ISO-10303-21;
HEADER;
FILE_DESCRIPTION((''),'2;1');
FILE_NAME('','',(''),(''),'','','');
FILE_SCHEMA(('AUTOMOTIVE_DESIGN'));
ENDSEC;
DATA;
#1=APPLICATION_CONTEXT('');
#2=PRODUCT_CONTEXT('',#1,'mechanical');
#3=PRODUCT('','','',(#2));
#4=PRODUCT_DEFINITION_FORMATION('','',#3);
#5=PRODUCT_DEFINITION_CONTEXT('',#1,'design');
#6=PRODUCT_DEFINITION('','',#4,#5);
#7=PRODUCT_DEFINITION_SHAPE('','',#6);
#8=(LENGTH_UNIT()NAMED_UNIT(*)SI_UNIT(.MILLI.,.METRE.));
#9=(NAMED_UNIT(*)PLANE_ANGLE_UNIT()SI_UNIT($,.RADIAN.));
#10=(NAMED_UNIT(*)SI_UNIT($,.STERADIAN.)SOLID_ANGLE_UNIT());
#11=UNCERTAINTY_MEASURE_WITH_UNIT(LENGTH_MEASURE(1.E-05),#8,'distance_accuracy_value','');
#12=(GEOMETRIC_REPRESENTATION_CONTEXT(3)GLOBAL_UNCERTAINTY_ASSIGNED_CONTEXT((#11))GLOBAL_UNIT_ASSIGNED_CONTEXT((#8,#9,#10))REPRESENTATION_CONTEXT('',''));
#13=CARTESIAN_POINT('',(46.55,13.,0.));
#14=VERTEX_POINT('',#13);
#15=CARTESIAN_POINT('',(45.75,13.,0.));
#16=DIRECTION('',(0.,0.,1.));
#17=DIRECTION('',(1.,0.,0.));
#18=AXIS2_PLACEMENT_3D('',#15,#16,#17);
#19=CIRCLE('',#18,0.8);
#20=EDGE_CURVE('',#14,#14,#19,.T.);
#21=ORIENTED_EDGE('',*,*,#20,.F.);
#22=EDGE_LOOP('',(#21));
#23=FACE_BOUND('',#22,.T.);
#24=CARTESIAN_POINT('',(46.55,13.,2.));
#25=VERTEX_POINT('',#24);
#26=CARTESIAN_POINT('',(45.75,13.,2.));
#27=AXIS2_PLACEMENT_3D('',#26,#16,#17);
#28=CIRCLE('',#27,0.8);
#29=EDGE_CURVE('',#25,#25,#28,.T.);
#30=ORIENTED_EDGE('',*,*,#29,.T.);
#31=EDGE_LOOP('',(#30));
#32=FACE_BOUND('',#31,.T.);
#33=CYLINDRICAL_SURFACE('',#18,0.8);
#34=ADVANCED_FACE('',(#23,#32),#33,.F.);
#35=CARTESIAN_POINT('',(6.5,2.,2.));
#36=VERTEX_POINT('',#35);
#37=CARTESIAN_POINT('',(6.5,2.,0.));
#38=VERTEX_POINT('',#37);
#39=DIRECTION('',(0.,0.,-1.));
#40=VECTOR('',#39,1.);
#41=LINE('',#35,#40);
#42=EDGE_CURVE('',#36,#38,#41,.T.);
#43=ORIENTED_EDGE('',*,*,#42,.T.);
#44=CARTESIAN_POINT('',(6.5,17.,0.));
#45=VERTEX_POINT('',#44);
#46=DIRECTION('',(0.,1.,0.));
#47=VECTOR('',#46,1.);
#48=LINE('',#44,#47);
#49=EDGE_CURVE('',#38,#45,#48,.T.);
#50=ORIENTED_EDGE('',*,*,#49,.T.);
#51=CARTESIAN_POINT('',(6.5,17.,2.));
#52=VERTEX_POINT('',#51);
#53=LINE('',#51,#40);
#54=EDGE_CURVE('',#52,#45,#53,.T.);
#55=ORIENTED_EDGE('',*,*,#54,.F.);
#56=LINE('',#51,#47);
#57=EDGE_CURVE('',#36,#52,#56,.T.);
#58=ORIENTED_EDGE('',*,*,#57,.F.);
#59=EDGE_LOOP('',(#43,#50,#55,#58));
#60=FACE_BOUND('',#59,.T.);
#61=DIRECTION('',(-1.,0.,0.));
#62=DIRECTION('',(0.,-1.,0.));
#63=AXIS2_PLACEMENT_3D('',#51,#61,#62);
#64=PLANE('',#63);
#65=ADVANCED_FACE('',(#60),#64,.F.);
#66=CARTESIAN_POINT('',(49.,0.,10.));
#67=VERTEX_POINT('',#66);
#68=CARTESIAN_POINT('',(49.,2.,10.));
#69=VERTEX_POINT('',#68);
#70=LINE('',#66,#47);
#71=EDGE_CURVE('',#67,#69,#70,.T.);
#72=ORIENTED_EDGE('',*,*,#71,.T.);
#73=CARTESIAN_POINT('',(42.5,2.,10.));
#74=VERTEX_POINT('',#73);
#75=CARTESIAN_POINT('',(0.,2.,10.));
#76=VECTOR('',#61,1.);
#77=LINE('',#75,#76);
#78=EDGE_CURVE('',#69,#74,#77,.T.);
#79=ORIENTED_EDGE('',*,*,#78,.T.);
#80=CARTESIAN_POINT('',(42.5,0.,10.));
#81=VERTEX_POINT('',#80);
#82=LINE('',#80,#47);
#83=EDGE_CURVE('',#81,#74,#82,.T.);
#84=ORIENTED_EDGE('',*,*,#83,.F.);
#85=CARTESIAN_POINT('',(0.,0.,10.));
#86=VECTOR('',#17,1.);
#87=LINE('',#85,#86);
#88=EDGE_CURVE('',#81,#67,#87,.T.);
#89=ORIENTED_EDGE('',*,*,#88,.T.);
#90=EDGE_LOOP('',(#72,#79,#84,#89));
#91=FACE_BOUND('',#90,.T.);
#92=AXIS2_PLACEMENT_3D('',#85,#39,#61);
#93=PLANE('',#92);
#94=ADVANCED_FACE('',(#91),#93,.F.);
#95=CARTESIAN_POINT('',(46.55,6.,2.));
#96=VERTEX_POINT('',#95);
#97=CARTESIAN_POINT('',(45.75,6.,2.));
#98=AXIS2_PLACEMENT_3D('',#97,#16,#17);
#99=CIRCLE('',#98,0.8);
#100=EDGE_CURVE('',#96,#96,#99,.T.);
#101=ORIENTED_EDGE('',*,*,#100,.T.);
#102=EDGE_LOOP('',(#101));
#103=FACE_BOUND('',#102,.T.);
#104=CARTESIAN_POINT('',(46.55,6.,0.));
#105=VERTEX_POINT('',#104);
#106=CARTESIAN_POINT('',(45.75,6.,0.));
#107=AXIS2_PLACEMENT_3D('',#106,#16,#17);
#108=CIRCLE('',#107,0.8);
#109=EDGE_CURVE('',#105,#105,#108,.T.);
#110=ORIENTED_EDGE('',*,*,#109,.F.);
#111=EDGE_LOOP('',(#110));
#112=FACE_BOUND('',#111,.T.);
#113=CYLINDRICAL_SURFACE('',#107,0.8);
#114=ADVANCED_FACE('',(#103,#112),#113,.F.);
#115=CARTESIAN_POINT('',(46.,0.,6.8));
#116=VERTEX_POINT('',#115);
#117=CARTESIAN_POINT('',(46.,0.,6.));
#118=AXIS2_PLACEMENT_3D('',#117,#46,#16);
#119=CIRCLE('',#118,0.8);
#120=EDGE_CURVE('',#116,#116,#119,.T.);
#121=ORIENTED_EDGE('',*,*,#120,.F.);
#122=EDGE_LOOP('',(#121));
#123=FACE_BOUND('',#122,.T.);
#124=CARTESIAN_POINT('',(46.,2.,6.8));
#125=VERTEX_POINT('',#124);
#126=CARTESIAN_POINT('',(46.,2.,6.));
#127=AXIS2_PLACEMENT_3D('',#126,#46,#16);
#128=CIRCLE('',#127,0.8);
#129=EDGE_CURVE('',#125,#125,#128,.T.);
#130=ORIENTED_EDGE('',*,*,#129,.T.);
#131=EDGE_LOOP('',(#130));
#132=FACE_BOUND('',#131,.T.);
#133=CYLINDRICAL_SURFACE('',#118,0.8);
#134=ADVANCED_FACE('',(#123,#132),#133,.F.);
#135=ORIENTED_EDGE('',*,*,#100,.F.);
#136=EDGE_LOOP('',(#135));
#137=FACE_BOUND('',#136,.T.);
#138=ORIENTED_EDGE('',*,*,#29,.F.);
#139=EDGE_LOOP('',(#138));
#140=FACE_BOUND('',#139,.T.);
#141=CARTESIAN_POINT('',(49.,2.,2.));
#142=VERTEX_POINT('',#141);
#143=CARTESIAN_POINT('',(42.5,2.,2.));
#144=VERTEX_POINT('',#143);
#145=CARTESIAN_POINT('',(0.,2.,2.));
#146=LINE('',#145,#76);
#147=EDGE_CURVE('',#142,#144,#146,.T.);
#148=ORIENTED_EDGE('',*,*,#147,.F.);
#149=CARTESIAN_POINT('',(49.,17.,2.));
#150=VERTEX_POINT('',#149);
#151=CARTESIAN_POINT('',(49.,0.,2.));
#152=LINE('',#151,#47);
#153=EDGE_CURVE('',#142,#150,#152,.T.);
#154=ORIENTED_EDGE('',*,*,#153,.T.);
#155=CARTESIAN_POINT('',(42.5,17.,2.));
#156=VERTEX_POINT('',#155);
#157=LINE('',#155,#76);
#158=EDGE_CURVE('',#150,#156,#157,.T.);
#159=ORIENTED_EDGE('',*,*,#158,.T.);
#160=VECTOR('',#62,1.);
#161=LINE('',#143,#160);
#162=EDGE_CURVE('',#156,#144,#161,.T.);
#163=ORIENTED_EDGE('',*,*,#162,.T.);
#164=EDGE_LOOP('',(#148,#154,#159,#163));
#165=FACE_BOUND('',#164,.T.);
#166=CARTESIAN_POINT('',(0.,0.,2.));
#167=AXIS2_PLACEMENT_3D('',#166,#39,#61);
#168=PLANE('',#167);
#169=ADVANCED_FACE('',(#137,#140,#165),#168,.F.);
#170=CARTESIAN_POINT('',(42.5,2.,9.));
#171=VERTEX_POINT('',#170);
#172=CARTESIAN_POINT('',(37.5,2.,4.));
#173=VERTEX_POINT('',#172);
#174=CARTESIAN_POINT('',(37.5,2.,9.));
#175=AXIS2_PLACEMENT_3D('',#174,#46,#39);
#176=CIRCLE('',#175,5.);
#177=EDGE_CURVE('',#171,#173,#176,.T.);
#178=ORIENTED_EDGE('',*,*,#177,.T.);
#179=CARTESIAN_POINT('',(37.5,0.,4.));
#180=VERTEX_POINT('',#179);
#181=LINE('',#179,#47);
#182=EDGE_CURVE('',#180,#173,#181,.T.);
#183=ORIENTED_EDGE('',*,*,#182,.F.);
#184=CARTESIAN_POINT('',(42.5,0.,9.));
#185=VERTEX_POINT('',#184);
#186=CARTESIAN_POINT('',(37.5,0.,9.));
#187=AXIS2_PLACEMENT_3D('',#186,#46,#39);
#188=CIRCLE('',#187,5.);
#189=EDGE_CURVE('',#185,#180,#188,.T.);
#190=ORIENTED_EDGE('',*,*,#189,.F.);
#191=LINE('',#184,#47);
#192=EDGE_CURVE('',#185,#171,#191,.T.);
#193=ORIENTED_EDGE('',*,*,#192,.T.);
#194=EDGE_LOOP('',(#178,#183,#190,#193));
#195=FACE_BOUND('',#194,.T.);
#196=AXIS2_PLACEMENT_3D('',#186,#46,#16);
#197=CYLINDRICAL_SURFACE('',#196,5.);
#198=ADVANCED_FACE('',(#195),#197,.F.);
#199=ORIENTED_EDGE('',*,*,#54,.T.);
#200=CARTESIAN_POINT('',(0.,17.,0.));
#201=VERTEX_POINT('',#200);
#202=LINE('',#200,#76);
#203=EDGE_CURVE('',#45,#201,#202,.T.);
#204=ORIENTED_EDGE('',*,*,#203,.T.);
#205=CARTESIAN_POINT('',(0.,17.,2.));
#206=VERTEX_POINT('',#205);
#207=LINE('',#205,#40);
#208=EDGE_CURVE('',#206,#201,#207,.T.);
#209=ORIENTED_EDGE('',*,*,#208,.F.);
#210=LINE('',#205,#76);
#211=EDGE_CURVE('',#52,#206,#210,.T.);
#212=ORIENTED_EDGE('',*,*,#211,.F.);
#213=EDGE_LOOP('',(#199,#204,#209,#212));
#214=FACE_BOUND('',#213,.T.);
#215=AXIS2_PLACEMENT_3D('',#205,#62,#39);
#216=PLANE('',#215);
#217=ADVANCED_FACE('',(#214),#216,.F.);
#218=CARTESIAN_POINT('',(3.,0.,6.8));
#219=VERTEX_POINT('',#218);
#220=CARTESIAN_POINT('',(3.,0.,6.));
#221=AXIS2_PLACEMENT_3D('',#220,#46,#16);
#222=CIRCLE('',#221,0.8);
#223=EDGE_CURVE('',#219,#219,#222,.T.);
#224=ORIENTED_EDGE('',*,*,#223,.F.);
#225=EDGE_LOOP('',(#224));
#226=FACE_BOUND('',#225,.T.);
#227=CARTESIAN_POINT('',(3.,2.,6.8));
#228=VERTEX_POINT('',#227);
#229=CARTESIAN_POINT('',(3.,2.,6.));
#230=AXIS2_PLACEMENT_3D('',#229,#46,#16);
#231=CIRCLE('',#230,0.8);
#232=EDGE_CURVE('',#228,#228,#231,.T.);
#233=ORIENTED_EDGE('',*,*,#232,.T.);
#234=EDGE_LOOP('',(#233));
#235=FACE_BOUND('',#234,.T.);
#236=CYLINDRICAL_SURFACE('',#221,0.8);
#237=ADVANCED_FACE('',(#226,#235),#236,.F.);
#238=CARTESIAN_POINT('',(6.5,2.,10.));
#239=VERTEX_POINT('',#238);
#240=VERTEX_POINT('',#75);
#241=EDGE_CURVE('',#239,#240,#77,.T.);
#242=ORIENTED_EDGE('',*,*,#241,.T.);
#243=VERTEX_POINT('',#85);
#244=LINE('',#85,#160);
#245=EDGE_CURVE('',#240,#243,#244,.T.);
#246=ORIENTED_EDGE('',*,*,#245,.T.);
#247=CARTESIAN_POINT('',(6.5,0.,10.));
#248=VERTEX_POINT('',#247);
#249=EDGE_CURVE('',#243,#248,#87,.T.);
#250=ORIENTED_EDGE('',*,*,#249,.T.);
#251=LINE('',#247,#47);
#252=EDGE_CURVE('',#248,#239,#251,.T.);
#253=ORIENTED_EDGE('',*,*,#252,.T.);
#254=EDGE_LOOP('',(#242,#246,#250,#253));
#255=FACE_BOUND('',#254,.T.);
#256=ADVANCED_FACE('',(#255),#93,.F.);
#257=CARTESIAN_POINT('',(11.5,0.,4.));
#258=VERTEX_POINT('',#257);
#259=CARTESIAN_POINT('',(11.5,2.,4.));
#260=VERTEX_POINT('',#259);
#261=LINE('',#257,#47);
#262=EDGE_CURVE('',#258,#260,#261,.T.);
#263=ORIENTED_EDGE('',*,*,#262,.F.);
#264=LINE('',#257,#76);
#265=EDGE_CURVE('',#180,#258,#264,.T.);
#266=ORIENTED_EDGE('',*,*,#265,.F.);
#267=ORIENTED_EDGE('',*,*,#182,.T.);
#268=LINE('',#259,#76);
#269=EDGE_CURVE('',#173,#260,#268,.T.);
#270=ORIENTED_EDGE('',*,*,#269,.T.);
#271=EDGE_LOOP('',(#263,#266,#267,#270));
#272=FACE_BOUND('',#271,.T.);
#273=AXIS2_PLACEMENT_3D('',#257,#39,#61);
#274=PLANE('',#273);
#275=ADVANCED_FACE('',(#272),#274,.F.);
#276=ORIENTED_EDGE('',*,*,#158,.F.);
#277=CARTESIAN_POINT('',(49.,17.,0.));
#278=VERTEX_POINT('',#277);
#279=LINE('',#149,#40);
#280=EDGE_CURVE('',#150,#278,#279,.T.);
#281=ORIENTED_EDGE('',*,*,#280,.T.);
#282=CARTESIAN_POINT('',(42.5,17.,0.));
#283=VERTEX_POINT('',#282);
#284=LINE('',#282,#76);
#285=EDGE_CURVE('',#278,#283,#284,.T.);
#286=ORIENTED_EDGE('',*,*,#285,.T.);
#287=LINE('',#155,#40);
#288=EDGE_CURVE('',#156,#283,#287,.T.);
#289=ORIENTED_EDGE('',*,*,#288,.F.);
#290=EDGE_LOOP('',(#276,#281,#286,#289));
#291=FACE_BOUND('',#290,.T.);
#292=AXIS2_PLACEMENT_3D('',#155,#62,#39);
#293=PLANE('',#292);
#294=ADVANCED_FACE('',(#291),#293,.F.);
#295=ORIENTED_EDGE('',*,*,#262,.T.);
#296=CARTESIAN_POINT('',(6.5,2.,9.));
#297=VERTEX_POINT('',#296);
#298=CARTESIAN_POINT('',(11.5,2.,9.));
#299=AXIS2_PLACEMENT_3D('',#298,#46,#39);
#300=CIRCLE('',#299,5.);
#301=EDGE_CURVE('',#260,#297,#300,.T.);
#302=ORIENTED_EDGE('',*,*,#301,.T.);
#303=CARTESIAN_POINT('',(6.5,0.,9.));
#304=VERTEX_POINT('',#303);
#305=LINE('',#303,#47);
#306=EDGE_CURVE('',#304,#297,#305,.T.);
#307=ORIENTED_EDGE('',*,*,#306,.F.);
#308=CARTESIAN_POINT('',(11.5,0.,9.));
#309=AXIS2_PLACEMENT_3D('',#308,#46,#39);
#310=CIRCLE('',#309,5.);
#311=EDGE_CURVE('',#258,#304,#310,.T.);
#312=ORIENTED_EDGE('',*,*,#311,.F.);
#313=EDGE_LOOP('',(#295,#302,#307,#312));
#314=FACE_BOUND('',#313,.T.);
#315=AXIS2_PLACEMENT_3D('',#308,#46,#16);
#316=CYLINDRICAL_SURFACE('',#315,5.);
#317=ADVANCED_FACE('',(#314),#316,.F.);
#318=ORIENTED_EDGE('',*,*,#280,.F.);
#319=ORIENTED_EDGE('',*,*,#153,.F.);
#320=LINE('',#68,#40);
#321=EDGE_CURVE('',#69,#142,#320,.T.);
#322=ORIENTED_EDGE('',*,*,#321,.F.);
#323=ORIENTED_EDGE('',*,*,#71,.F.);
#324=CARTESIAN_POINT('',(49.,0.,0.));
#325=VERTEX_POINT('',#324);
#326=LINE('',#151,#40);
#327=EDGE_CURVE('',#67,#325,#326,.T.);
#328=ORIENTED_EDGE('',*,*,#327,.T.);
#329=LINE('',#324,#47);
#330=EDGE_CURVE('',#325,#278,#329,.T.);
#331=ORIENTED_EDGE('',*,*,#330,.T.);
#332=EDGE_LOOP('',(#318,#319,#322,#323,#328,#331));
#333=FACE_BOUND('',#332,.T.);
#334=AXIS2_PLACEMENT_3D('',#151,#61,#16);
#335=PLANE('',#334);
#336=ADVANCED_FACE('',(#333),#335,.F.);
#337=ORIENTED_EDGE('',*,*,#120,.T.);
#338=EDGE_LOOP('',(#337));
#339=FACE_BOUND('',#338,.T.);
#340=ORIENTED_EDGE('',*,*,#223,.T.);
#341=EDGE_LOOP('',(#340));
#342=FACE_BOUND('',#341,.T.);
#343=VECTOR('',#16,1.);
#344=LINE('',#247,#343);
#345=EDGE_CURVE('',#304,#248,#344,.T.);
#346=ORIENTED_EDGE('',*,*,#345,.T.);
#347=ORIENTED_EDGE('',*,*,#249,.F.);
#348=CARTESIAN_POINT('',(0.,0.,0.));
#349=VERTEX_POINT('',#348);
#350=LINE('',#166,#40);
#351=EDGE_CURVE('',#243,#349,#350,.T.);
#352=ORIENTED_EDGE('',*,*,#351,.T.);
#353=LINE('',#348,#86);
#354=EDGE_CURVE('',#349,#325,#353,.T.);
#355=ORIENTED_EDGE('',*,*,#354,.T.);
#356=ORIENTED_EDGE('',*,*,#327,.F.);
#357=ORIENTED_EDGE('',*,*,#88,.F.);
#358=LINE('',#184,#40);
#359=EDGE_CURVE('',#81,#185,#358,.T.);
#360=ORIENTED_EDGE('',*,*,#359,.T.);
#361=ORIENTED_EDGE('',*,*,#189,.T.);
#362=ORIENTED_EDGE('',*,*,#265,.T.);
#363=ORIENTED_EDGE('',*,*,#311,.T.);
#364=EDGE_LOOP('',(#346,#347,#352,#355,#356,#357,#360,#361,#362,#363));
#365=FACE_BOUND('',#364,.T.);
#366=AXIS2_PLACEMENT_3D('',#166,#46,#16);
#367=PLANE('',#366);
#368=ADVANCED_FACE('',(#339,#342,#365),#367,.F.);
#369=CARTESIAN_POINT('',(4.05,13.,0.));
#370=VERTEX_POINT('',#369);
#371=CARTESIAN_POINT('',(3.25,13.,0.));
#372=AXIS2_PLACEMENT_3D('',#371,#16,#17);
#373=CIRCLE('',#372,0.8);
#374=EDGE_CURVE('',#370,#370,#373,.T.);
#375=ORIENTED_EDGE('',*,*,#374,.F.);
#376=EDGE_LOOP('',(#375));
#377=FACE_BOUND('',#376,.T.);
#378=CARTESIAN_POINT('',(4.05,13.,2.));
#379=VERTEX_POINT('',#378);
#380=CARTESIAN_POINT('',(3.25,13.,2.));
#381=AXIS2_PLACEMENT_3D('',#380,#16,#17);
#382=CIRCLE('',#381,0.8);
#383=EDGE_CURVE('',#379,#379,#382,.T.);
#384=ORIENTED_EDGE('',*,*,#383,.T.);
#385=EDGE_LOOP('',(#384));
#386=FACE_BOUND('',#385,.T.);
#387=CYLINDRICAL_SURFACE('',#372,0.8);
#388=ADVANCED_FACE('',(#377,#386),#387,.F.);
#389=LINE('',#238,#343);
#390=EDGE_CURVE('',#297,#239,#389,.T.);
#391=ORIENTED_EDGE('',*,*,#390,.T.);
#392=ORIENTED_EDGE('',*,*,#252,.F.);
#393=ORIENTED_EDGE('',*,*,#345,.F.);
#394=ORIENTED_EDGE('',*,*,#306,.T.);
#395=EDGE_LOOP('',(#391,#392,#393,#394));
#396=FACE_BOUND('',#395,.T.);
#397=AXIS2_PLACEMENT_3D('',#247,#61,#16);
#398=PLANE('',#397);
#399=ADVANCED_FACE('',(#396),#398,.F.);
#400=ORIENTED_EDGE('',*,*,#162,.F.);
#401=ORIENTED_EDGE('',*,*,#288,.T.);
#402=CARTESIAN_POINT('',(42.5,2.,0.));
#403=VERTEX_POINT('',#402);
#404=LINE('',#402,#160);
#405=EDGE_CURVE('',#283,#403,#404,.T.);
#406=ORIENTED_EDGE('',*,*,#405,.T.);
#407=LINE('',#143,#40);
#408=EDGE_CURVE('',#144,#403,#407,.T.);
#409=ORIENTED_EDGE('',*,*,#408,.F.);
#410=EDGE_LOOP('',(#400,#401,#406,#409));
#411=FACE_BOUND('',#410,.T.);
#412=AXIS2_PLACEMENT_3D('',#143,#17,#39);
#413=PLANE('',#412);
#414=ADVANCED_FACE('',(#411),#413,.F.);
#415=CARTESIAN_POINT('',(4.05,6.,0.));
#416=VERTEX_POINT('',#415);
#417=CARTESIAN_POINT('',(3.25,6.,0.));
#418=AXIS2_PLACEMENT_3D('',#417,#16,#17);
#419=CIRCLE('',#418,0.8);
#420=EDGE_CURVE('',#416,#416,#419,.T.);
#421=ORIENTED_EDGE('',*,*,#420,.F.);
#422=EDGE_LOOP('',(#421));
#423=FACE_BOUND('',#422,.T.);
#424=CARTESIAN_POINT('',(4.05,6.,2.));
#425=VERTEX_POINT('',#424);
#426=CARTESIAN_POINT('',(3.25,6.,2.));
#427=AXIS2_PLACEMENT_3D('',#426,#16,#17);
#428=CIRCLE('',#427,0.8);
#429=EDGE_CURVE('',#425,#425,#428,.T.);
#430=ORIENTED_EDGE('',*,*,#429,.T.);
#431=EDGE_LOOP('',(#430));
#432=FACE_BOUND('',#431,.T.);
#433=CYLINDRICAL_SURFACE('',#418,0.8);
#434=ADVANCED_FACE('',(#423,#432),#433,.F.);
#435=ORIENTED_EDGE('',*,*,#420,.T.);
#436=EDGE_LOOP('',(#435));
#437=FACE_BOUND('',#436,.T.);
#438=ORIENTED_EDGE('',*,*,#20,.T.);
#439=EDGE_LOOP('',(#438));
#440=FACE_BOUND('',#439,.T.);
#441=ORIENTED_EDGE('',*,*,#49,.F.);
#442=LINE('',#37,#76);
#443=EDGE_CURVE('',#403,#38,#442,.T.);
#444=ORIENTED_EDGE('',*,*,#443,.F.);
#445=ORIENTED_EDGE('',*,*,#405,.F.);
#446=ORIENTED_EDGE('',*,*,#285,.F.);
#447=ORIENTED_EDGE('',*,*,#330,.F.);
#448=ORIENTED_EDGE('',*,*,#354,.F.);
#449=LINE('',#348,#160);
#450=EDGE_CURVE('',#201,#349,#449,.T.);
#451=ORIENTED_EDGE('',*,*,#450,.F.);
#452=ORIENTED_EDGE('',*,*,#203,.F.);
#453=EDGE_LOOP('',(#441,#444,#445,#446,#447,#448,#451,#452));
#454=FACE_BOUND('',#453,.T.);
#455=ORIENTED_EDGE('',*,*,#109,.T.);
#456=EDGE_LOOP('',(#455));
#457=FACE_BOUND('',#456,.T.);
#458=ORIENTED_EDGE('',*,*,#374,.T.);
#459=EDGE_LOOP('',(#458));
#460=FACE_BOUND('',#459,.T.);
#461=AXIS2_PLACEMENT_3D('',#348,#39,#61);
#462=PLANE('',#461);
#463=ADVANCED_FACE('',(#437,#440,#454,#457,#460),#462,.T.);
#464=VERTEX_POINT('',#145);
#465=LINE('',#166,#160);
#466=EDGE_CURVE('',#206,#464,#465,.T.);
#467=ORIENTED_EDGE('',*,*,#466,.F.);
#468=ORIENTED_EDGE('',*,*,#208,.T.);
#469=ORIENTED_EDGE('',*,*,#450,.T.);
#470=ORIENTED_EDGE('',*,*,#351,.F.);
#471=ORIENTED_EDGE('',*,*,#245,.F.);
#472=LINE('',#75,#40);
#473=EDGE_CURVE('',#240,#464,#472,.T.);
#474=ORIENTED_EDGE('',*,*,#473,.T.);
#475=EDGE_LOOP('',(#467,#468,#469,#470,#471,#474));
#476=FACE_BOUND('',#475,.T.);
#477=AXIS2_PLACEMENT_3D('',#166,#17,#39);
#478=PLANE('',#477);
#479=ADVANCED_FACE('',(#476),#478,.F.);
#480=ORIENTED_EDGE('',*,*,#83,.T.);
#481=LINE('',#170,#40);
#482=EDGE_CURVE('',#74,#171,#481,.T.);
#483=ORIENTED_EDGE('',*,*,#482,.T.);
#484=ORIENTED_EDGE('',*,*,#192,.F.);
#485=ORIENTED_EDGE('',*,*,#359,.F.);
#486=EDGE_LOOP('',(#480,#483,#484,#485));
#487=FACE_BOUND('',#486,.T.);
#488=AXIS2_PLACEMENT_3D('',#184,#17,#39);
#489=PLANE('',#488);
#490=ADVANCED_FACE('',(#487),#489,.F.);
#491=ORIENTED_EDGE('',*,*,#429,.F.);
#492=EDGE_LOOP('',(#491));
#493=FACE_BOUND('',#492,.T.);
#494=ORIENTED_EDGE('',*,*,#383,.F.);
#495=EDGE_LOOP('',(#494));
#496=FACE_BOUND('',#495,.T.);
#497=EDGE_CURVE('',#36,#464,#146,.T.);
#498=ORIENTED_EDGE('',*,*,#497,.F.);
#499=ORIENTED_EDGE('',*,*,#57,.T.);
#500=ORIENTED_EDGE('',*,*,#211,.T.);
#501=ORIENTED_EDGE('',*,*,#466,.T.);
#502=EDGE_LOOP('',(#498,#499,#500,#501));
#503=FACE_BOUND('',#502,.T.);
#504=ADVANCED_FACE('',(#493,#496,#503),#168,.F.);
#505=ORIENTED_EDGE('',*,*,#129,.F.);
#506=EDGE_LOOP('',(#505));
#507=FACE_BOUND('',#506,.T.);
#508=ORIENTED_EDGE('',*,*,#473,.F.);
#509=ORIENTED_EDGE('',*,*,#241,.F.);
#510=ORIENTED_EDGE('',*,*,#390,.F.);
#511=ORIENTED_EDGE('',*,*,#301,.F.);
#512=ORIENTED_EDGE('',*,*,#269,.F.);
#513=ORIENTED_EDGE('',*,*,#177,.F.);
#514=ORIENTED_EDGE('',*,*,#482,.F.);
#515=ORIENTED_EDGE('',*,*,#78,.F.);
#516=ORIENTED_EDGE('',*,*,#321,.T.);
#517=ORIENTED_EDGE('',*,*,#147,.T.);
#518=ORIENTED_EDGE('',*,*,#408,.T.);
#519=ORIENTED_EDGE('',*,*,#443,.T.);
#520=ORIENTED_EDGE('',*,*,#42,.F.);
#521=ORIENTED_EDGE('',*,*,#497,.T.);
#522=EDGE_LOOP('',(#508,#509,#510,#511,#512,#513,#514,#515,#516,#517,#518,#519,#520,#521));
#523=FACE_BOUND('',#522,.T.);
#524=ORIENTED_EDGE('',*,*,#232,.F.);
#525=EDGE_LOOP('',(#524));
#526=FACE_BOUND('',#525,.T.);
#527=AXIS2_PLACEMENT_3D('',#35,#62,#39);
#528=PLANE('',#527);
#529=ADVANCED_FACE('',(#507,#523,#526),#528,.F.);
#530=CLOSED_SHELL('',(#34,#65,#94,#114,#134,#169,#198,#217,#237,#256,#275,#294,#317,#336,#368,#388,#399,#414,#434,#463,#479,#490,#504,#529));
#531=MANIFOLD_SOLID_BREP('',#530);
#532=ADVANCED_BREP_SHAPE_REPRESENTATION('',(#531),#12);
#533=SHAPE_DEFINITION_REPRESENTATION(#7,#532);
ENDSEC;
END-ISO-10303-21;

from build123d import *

# Parameters (mm, degrees)
BOSS_EXTRUDE1_DEPTH = 2
SKETCH2_W           = 49
SKETCH2_H           = 2
BOSS_EXTRUDE2_DEPTH = 8
SKETCH3_R           = 0.8
CUT_EXTRUDE1_DEPTH  = 2
SKETCH4_R           = 0.8
CUT_EXTRUDE2_DEPTH  = 2
CUT_EXTRUDE3_DEPTH  = 2


with BuildPart() as part:
    # Sketch1 → Boss-Extrude1 (new body)
    with BuildSketch(Plane.XY):
        Polygon((42.5, 17), (49, 17), (49, 0), (0, 0), (0, 17), (6.5, 17), (6.5, 2), (42.5, 2), align=None)
    extrude(amount=BOSS_EXTRUDE1_DEPTH)

    # Sketch2 → Boss-Extrude2 (add)
    with BuildSketch(Plane.XY.offset(2)):
        with Locations((24.5, 1)):
            Rectangle(SKETCH2_W, SKETCH2_H)
    extrude(amount=BOSS_EXTRUDE2_DEPTH)

    # Sketch3 → Cut-Extrude1 (cut)
    with BuildSketch(Plane.XY.offset(2)):
        with Locations((3.25, 13)):
            Circle(SKETCH3_R)
        with Locations((3.25, 6)):
            Circle(SKETCH3_R)
        with Locations((45.75, 13)):
            Circle(SKETCH3_R)
        with Locations((45.75, 6)):
            Circle(SKETCH3_R)
    extrude(amount=-CUT_EXTRUDE1_DEPTH, mode=Mode.SUBTRACT)

    # Sketch4 → Cut-Extrude2 (cut)
    with BuildSketch(Plane(origin=(0, 2, 0), x_dir=(1, 0, 0), z_dir=(0, 1, 0))):
        with Locations((3, -6)):
            Circle(SKETCH4_R)
        with Locations((46, -6)):
            Circle(SKETCH4_R)
    extrude(amount=-CUT_EXTRUDE2_DEPTH, mode=Mode.SUBTRACT)

    # Sketch5 → Cut-Extrude3 (cut)
    with BuildSketch(Plane(origin=(0, 2, 0), x_dir=(1, 0, 0), z_dir=(0, 1, 0))):
        with BuildLine():
            Line((6.5, -10), (6.5, -9))
            ThreePointArc((6.5, -9), (7.964466094, -5.464466094), (11.5, -4))
            Line((11.5, -4), (37.5, -4))
            ThreePointArc((37.5, -4), (41.035533906, -5.464466094), (42.5, -9))
            Line((42.5, -9), (42.5, -10))
            Line((42.5, -10), (6.5, -10))
        make_face()
    extrude(amount=-CUT_EXTRUDE3_DEPTH, mode=Mode.SUBTRACT)


solid = part.part
